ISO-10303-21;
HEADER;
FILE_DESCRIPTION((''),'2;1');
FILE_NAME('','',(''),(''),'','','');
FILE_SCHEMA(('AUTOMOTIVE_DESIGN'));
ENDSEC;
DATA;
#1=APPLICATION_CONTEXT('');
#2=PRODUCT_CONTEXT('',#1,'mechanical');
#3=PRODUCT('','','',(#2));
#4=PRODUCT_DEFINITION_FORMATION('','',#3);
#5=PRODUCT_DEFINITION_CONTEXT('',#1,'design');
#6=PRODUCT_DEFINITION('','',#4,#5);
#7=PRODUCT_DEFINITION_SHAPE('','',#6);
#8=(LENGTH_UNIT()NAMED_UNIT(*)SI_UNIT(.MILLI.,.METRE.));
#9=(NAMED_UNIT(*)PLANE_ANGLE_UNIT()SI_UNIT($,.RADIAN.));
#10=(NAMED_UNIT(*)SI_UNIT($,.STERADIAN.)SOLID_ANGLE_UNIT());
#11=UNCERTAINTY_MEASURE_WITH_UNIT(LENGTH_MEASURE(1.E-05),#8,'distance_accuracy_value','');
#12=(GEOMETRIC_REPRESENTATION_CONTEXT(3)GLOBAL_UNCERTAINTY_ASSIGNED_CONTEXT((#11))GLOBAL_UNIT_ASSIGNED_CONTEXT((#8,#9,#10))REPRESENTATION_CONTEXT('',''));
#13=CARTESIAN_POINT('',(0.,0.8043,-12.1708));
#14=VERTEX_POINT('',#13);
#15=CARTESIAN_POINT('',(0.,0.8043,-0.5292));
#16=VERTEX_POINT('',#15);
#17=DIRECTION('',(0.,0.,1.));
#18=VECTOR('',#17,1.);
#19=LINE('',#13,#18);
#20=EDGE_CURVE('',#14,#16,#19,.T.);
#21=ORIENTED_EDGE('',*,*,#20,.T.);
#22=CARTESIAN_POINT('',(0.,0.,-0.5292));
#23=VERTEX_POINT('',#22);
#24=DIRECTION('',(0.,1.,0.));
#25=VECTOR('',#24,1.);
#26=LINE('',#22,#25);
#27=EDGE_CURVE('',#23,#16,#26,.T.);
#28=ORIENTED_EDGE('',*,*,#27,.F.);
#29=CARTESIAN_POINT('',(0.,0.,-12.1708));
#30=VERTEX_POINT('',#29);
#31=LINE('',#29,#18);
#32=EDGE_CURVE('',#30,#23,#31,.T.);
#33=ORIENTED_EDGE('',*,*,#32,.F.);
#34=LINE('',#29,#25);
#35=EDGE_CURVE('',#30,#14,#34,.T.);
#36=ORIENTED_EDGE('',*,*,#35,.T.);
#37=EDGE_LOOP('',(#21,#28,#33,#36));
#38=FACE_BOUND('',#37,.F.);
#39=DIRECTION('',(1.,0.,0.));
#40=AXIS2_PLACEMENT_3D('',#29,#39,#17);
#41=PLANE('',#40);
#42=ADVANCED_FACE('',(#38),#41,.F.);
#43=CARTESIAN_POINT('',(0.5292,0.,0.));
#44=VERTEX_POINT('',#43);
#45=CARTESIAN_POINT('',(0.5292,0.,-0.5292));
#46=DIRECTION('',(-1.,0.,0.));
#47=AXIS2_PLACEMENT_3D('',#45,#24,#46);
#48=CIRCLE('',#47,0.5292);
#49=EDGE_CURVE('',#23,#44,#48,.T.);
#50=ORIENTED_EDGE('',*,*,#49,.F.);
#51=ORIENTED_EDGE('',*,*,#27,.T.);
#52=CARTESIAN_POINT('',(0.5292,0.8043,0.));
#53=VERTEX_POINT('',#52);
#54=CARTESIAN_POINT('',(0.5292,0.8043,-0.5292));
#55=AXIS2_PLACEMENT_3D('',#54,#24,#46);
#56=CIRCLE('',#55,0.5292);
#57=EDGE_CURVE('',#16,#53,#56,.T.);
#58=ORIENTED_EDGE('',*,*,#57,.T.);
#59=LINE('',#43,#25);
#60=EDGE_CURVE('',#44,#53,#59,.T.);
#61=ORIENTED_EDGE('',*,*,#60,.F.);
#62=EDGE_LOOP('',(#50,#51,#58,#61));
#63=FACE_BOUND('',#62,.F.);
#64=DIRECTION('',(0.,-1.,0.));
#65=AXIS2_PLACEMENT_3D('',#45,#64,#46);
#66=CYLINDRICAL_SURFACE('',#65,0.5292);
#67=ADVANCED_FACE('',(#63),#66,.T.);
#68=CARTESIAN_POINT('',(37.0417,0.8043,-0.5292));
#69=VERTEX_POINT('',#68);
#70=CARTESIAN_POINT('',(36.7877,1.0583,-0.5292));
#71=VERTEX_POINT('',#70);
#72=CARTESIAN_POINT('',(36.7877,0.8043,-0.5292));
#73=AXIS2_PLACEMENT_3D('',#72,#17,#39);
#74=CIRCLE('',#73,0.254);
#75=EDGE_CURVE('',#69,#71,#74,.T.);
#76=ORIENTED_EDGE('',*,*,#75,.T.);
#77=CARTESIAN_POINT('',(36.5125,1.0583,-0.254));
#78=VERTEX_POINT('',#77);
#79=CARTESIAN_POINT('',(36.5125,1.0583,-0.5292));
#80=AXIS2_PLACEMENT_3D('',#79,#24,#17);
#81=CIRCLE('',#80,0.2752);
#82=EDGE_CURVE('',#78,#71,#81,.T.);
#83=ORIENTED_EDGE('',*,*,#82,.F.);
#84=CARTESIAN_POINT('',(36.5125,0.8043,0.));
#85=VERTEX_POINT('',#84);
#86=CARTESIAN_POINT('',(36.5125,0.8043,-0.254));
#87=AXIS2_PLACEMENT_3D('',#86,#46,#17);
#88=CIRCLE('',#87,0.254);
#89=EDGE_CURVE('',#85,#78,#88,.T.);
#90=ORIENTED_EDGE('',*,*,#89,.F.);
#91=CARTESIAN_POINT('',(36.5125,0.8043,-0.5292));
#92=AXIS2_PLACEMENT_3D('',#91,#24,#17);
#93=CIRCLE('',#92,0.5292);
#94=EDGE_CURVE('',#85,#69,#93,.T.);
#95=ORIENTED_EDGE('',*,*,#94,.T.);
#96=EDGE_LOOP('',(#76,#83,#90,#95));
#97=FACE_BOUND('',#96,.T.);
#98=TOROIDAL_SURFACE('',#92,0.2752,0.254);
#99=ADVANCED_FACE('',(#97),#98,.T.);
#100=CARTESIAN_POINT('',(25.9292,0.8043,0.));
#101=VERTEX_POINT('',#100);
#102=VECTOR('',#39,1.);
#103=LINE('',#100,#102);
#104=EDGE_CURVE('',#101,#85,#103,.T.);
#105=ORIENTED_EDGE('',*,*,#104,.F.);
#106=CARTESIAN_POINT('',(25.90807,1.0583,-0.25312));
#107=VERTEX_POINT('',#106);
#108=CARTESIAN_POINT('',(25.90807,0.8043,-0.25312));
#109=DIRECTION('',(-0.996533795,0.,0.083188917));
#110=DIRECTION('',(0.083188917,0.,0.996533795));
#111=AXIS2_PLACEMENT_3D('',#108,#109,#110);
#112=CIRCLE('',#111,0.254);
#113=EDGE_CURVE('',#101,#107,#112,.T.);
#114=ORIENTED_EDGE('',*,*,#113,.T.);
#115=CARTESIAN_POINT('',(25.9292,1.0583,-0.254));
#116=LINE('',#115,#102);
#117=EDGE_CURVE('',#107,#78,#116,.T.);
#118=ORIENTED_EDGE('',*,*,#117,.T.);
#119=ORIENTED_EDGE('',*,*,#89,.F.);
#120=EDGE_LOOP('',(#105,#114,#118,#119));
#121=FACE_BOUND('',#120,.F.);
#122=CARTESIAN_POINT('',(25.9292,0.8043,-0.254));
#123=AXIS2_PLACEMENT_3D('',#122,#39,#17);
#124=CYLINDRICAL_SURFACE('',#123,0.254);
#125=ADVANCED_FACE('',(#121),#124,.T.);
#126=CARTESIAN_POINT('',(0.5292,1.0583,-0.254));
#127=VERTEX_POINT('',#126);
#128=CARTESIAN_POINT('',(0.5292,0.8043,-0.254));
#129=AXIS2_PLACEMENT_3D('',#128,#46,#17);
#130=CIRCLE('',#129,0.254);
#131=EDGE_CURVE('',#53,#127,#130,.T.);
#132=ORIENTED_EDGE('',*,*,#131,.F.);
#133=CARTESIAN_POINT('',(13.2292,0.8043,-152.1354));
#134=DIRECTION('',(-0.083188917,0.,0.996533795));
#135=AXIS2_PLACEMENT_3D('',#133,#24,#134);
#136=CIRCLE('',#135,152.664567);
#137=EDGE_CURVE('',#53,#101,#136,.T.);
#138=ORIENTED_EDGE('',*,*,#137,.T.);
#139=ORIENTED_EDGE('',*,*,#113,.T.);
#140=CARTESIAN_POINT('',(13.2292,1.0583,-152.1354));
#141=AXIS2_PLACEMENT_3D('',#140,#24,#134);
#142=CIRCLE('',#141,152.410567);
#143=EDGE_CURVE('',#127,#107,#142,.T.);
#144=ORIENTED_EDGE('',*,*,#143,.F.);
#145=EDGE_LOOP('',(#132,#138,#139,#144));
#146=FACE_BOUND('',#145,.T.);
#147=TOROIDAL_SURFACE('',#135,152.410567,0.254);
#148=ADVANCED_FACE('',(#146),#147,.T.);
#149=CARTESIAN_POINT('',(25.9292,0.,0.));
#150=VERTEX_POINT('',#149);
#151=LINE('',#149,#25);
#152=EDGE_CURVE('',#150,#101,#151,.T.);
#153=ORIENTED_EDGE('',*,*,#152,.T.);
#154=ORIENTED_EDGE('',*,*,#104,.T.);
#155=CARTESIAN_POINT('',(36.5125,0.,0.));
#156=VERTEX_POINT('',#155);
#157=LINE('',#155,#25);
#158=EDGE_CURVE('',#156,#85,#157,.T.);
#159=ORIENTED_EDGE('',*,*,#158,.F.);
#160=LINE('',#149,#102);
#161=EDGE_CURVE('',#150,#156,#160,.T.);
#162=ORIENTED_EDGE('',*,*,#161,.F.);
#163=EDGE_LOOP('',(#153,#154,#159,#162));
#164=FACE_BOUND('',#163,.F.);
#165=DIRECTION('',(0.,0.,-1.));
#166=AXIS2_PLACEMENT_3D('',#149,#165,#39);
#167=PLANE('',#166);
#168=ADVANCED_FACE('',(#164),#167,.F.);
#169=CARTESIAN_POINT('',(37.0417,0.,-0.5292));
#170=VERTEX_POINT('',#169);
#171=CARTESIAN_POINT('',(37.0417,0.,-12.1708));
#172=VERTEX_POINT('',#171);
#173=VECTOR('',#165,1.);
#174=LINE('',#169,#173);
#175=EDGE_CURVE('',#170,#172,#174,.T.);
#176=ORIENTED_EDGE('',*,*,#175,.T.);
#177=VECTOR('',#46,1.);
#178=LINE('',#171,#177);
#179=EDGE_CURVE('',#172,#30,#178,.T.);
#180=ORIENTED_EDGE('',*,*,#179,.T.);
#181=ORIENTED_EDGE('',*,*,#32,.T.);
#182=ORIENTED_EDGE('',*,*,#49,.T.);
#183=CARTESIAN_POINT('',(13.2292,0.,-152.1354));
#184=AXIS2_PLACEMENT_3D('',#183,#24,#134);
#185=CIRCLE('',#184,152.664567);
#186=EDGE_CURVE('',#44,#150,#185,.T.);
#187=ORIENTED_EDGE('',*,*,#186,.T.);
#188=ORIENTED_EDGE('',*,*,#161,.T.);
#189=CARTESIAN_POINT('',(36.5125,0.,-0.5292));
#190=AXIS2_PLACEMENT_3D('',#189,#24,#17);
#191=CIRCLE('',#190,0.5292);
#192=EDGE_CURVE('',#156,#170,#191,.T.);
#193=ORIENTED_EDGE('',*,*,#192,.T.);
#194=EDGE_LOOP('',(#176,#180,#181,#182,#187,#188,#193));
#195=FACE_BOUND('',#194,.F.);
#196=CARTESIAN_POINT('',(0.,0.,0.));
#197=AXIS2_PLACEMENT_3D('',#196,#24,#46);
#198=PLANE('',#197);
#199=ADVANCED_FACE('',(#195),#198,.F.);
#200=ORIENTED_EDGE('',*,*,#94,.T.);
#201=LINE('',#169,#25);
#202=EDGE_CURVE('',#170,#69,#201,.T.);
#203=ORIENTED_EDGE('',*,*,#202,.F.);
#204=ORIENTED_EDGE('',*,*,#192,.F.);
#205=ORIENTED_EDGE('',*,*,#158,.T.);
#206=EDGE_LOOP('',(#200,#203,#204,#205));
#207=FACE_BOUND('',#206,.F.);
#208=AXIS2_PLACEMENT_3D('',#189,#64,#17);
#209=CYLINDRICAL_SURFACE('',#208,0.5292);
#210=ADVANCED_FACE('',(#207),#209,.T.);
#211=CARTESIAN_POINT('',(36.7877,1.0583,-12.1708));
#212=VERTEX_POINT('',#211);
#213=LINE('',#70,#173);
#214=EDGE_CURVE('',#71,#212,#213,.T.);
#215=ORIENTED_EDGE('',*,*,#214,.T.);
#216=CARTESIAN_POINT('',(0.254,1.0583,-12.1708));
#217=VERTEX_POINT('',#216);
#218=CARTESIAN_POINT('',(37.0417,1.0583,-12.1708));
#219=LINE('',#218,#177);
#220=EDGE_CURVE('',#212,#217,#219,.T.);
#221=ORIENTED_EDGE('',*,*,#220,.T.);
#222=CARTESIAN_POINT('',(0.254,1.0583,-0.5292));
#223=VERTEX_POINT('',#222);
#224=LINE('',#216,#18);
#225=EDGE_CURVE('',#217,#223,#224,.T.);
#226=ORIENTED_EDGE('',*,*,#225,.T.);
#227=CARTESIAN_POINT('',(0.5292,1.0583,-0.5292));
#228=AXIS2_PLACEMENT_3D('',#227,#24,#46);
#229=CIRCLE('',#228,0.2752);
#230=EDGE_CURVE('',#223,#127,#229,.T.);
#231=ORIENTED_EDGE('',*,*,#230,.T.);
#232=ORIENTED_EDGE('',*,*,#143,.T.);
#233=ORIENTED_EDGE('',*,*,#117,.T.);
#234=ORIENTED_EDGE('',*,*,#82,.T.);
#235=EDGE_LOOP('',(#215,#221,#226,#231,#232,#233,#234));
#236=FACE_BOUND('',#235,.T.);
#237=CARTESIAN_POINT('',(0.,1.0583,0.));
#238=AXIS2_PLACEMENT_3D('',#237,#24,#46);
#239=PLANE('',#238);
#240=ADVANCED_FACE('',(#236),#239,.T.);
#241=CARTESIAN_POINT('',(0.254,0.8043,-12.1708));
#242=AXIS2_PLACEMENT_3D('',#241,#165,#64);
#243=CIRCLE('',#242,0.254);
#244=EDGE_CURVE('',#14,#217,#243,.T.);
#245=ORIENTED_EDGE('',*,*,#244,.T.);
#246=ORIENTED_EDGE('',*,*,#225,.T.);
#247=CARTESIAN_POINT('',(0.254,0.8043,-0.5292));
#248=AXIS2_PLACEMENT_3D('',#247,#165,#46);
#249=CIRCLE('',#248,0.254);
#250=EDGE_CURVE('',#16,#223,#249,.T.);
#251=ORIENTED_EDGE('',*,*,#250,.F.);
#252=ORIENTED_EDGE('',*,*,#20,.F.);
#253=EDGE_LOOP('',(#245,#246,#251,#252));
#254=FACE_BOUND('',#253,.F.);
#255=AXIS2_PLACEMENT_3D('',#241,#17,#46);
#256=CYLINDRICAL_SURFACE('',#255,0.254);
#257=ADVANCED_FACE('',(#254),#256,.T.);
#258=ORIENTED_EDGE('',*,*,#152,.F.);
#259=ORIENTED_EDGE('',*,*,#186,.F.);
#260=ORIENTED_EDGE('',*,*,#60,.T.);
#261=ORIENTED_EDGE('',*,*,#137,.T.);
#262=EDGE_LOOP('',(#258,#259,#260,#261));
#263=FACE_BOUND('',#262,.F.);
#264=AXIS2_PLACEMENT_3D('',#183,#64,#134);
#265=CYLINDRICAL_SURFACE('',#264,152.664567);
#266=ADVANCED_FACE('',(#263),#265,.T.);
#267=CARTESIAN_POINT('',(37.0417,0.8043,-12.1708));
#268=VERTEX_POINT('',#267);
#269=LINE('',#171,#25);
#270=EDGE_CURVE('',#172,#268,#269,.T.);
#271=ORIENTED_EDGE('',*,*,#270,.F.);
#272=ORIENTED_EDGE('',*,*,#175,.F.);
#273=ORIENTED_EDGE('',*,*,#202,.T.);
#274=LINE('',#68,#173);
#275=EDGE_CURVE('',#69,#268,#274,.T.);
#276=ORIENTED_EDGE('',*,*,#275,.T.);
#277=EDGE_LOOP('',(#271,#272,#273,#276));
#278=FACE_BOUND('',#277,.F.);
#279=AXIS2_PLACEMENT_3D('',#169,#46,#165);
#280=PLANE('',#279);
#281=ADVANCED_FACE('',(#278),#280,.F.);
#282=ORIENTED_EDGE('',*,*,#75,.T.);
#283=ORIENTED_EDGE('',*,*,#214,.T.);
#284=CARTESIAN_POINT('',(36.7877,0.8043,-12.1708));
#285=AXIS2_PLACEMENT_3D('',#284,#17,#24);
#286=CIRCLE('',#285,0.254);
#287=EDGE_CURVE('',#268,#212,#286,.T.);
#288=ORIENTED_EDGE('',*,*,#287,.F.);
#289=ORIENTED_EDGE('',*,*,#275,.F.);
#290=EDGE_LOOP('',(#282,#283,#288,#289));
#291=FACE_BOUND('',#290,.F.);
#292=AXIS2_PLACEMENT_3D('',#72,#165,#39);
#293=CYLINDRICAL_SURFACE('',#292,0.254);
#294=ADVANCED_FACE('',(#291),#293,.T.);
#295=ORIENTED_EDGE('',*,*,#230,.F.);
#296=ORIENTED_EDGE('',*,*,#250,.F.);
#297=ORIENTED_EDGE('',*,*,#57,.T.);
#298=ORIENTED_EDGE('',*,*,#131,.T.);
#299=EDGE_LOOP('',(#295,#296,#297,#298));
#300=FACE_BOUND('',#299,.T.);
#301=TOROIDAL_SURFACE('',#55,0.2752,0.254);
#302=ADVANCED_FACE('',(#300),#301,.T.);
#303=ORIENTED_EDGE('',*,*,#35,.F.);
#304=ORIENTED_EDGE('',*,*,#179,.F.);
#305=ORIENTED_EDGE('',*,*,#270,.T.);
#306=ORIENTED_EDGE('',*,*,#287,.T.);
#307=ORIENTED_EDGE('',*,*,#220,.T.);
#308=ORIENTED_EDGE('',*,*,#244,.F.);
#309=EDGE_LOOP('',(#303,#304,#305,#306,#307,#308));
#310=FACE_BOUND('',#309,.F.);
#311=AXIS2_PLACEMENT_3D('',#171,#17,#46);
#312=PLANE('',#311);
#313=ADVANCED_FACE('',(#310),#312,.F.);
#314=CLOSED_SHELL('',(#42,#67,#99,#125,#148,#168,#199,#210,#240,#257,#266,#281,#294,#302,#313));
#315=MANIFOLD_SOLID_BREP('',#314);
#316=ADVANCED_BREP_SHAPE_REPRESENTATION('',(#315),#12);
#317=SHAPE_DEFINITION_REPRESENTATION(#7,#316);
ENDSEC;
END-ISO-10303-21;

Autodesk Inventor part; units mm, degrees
ref_plane "YZ Plane" through (0, 0, 0) normal (1, 0, 0) x (0, 1, 0)
ref_plane "XZ Plane" through (0, 0, 0) normal (0, 1, 0) x (-1, 0, 0)
ref_plane "XY Plane" through (0, 0, 0) normal (0, 0, 1) x (1, 0, 0)
sketch "Sketch1" plane through (0, 0, 0) normal (0, 1, 0) x (-1, 0, 0)
  line L0 (-25.9292, 0) -> (-36.5125, 0)
  line L1 (-37.0417, -0.5292) -> (-37.0417, -12.1708)
  line L2 (-37.0417, -12.1708) -> (0, -12.1708)
  line L3 (0, -12.1708) -> (0, -0.5292)
  arc A0 (0, -0.5292) -> (-0.5292, 0) centre (-0.5292, -0.5292) ccw
  line L4 (-18.5208, -12.969) -> (-18.5208, 2.8326) construction
  arc A1 (-36.5125, 0) -> (-37.0417, -0.5292) centre (-36.5125, -0.5292) ccw
  arc A2 (-0.5292, 0) -> (-25.9292, 0) centre (-13.2292, -152.1354) ccw
  point P0 (0, 0)
  point P1 (-13.2292, 0.5292)
  dimension "d4" = 1.0583
  dimension "d5" = 12.1708
  dimension "d6" = 37.0417
  dimension "d9" = 25.4
  dimension "d10" = 0.5292
extrude "main key board" add sketch "Sketch1" along normal blind 1.0583
fillet "Fillet1" radius 0.254 6 edges at (0.155, 1.0583, -0.155) (0, 1.0583, -6.35) (13.2292, 1.0583, 0.5292) (36.8867, 1.0583, -0.155) (37.0417, 1.0583, -6.35) (31.2208, 1.0583, 0)
sketch "Sketch2" plane through (0, 1.0583, 0) normal (0, 1, 0) x (1, 0, 0)
  point P0 (0, 0)
properties part number "key board low tec"
